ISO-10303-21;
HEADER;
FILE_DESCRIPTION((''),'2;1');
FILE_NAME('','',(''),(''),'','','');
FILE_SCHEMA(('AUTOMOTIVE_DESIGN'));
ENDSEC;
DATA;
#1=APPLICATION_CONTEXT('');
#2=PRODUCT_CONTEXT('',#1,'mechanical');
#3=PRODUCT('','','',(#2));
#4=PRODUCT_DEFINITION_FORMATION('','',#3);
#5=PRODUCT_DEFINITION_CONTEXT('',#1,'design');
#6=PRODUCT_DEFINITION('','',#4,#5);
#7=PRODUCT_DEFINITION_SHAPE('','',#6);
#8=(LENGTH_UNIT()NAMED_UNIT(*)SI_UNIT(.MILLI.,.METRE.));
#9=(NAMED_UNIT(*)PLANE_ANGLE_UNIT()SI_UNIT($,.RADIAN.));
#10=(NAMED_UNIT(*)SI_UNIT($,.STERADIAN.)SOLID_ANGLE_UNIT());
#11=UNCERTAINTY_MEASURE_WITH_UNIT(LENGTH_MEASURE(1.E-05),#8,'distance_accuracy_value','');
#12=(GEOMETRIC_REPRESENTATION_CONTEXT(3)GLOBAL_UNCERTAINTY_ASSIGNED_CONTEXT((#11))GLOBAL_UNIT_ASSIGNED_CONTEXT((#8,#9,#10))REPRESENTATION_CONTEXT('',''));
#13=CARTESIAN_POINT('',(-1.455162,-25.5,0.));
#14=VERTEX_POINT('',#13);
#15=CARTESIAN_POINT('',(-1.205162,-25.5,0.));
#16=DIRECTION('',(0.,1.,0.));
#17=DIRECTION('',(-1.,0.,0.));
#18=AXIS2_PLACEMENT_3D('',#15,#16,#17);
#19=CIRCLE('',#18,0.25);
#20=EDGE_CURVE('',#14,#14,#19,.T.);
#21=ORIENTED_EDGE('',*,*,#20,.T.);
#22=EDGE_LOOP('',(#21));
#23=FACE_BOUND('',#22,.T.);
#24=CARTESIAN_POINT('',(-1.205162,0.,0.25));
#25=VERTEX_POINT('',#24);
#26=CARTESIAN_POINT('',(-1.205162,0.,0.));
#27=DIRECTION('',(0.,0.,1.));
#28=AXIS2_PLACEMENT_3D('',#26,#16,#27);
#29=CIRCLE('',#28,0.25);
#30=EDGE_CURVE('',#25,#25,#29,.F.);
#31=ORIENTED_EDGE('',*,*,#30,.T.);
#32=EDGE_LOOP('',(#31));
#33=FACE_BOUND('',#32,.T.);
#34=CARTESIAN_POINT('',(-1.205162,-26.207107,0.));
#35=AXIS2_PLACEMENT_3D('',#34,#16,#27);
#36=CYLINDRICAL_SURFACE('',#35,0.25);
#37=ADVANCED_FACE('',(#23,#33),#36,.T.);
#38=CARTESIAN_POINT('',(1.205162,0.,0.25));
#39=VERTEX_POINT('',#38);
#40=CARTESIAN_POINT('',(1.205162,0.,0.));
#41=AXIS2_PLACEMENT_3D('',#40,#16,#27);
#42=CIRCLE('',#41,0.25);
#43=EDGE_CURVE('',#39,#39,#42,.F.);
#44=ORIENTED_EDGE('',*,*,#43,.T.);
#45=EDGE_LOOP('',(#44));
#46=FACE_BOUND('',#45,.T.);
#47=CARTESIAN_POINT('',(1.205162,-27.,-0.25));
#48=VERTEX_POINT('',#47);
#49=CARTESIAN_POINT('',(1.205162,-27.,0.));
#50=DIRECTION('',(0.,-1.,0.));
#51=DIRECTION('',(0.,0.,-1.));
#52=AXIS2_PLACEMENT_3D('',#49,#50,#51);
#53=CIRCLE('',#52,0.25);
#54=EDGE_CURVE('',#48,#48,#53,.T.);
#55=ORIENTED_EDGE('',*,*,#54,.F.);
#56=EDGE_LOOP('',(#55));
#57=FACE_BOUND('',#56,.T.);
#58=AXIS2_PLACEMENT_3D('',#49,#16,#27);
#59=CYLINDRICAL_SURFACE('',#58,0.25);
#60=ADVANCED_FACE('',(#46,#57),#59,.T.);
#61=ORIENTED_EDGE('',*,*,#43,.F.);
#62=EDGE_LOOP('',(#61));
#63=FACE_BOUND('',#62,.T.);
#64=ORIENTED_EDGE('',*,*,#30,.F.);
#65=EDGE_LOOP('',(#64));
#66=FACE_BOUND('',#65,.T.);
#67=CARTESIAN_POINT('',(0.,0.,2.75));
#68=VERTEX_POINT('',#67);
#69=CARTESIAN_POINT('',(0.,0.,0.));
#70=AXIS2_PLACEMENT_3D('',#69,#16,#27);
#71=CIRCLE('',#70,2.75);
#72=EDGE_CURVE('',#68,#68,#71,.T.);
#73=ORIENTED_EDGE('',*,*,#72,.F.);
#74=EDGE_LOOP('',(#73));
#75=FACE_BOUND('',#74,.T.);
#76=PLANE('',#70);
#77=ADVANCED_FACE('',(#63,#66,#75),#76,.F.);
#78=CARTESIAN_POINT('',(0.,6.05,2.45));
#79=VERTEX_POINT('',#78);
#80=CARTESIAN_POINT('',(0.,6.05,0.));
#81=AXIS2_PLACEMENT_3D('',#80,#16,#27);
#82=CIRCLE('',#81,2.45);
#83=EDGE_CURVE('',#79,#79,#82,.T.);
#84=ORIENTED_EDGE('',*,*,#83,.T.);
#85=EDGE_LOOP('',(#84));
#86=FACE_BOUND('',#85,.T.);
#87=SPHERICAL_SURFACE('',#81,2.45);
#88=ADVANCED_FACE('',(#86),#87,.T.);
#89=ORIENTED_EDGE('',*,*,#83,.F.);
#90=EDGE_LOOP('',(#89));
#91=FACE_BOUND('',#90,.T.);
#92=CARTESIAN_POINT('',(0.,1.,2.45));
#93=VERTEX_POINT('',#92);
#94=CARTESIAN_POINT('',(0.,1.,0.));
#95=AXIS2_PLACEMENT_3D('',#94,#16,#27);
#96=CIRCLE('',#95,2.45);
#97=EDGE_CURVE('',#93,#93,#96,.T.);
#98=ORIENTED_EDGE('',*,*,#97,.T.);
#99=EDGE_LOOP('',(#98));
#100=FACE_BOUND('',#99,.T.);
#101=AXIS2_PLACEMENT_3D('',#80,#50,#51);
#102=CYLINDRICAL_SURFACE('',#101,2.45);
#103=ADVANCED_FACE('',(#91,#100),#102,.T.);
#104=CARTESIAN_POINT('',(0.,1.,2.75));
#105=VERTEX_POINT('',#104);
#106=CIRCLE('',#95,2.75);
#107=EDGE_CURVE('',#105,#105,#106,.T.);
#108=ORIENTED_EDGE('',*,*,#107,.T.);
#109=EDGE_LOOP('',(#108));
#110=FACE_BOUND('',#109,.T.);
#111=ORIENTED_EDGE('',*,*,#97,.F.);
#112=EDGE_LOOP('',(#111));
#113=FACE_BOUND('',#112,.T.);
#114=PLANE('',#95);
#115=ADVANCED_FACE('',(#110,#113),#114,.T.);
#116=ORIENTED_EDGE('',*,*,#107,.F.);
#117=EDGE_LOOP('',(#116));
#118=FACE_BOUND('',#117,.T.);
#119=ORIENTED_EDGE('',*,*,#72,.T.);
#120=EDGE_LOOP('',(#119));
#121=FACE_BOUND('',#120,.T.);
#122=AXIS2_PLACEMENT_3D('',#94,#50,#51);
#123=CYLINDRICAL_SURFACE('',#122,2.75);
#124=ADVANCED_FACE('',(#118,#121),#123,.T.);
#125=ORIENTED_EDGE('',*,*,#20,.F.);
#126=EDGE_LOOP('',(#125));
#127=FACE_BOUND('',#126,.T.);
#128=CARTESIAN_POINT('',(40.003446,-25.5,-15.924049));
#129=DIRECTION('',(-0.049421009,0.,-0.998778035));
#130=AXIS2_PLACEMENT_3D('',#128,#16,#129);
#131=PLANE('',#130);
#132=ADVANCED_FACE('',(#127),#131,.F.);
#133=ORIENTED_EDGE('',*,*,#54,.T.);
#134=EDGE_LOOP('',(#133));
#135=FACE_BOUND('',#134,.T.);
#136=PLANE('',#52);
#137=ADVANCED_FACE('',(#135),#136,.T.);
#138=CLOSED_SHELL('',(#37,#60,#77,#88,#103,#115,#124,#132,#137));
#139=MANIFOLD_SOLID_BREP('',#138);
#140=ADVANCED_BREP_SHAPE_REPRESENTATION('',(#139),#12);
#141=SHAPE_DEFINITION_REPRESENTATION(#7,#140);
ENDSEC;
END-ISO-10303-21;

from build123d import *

# Parameters (mm, degrees)
CROQUIS1_R              = 2.75
SALIENTE_EXTRUIR1_DEPTH = 1
CROQUIS2_R              = 2.45
SALIENTE_EXTRUIR2_DEPTH = 5.05
C_PULA1_FACE_RADIUS     = 2.45
C_PULA1_HEIGHT          = 2.45
CROQUIS3_R              = 0.25
SALIENTE_EXTRUIR3_DEPTH = 25.5
CROQUIS5_R              = 0.25
SALIENTE_EXTRUIR5_DEPTH = 27


with BuildPart() as part:
    # Croquis1 → Saliente-Extruir1 (new body)
    with BuildSketch(Plane(origin=(0, 0, 0), x_dir=(1, 0, 0), z_dir=(0, 1, 0))):
        Circle(CROQUIS1_R)
    extrude(amount=SALIENTE_EXTRUIR1_DEPTH)

    # Croquis2 → Saliente-Extruir2 (add)
    with BuildSketch(Plane(origin=(0, 1, 0), x_dir=(1, 0, 0), z_dir=(0, 1, 0))):
        Circle(CROQUIS2_R)
    extrude(amount=SALIENTE_EXTRUIR2_DEPTH)

    # C_pula1: a dome of height H over a round flat face of radius A is a cap of a sphere of radius (A * A + H * H) / (2 * H)
    c_pula1_r = (C_PULA1_FACE_RADIUS * C_PULA1_FACE_RADIUS + C_PULA1_HEIGHT * C_PULA1_HEIGHT) / (2 * C_PULA1_HEIGHT)
    c_pula1_base = Plane((0, 6.05, 0), z_dir=(0, 1, 0))
    with Locations(c_pula1_base.offset(C_PULA1_HEIGHT - c_pula1_r)):
        c_pula1_ball = Sphere(c_pula1_r, mode=Mode.PRIVATE)
    add(split(c_pula1_ball, bisect_by=c_pula1_base, keep=Keep.TOP, mode=Mode.PRIVATE))

    # Croquis3 → Saliente-Extruir3 (add)
    with BuildSketch(Plane.XZ):
        with Locations((-1.205162028, 0)):
            Circle(CROQUIS3_R)
    extrude(amount=SALIENTE_EXTRUIR3_DEPTH)

    # Croquis5 → Saliente-Extruir5 (add)
    with BuildSketch(Plane.XZ):
        with Locations((1.205162028, 0)):
            Circle(CROQUIS5_R)
    extrude(amount=SALIENTE_EXTRUIR5_DEPTH)


solid = part.part
